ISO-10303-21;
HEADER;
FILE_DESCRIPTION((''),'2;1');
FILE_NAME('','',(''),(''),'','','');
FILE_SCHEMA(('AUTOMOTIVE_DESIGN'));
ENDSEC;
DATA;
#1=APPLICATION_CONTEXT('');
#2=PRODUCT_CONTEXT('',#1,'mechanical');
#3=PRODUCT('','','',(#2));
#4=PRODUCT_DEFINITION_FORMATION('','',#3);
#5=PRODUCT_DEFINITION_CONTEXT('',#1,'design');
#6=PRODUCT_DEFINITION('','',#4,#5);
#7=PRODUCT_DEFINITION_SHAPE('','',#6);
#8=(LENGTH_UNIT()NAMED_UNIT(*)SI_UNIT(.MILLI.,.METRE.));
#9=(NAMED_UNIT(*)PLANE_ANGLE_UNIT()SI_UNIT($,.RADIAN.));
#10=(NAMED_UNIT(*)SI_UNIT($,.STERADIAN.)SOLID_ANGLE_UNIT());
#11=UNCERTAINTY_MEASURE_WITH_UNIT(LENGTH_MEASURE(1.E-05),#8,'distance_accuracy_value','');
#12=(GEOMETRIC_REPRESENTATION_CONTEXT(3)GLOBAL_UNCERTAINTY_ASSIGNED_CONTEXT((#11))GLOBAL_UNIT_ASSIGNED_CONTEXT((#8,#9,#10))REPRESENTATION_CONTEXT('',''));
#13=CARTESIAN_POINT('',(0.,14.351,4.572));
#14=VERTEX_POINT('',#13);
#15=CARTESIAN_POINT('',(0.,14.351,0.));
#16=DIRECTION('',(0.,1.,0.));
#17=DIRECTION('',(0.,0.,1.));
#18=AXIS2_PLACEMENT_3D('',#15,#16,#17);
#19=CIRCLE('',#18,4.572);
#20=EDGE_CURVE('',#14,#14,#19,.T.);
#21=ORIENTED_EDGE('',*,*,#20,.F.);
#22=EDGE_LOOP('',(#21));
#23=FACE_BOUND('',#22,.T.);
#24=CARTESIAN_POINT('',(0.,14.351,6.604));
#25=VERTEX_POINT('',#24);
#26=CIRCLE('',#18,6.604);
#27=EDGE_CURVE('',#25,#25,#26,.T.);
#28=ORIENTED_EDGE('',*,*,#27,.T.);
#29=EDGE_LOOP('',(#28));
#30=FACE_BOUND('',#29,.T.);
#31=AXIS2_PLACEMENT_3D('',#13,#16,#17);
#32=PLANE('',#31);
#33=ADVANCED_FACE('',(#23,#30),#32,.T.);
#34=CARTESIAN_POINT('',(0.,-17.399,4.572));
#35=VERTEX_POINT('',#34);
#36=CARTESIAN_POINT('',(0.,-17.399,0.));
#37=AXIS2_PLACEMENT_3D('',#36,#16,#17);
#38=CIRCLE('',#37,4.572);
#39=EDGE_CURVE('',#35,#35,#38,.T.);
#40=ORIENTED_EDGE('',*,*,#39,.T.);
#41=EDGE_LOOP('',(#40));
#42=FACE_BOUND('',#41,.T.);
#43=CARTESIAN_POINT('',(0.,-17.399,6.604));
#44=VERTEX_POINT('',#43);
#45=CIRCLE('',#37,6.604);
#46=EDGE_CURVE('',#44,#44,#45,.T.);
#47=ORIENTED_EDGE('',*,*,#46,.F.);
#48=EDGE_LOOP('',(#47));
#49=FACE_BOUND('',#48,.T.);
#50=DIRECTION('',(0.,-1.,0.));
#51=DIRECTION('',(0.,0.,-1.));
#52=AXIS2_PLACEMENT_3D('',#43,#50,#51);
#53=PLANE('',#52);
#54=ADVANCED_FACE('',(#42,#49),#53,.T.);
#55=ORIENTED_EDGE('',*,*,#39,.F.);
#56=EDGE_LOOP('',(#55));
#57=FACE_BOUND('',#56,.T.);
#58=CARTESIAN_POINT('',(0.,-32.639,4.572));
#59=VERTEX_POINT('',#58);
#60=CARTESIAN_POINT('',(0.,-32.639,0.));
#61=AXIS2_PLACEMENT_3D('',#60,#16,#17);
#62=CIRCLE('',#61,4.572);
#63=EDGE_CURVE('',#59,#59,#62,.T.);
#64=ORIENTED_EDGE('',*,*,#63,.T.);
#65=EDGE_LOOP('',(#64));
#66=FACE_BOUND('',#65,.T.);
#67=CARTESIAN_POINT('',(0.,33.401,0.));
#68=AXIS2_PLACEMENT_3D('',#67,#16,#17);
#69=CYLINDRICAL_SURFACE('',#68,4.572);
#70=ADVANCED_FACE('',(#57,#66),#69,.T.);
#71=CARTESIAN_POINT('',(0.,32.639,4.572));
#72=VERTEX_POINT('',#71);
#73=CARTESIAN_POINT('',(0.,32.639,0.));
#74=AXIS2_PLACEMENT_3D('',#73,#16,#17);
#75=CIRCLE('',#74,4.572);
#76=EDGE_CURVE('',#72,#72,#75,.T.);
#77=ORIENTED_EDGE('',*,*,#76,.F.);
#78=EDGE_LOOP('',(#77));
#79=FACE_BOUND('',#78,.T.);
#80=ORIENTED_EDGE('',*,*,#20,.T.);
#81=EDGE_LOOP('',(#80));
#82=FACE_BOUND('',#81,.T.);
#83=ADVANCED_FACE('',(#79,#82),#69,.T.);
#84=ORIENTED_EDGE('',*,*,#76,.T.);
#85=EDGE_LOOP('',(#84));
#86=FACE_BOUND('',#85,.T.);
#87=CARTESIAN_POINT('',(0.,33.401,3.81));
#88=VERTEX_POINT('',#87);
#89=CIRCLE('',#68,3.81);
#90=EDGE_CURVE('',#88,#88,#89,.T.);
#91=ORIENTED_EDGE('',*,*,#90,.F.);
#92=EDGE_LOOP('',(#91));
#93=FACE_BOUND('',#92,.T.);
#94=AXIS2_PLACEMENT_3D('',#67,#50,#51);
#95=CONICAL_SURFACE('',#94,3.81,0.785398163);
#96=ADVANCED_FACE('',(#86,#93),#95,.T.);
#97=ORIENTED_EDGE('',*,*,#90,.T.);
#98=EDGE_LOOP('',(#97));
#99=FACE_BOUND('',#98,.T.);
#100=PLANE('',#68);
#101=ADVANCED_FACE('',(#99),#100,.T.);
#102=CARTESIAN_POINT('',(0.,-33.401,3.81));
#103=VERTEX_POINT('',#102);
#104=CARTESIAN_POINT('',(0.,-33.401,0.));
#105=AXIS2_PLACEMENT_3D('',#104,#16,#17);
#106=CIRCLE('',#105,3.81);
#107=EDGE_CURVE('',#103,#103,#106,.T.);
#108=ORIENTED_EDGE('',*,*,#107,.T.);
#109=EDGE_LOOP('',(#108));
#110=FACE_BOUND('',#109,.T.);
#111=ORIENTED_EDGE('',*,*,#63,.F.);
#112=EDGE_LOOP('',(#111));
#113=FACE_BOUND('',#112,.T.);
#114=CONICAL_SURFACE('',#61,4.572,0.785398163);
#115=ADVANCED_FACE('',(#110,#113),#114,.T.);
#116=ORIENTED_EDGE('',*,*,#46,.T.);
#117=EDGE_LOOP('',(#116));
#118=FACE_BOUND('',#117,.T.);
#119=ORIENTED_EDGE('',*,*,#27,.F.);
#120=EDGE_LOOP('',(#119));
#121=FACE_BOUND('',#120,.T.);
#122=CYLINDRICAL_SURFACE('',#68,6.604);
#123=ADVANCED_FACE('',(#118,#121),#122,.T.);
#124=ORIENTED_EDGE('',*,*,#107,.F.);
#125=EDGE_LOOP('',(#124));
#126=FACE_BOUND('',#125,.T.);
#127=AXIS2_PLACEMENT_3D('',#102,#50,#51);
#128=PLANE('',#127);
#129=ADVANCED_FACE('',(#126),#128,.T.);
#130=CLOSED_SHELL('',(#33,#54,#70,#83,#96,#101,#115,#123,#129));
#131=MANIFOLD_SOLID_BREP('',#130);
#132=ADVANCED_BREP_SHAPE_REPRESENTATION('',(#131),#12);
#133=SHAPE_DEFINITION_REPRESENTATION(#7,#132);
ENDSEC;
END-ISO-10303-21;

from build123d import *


with BuildPart() as part:
    # Sketch1 → Revolve1 (revolve)
    with BuildSketch(Plane(origin=(0, 0, 0), x_dir=(0, 0, -1), z_dir=(1, 0, 0))):
        Polygon((0, 33.401), (-3.81, 33.401), (-4.572, 32.639), (-4.572, 14.351), (-6.604, 14.351), (-6.604, -17.399), (-4.572, -17.399), (-4.572, -32.639), (-3.81, -33.401), (0, -33.401), align=None)
    revolve(axis=Axis((0, 33.401, 0), (0, -1, 0)))


solid = part.part
